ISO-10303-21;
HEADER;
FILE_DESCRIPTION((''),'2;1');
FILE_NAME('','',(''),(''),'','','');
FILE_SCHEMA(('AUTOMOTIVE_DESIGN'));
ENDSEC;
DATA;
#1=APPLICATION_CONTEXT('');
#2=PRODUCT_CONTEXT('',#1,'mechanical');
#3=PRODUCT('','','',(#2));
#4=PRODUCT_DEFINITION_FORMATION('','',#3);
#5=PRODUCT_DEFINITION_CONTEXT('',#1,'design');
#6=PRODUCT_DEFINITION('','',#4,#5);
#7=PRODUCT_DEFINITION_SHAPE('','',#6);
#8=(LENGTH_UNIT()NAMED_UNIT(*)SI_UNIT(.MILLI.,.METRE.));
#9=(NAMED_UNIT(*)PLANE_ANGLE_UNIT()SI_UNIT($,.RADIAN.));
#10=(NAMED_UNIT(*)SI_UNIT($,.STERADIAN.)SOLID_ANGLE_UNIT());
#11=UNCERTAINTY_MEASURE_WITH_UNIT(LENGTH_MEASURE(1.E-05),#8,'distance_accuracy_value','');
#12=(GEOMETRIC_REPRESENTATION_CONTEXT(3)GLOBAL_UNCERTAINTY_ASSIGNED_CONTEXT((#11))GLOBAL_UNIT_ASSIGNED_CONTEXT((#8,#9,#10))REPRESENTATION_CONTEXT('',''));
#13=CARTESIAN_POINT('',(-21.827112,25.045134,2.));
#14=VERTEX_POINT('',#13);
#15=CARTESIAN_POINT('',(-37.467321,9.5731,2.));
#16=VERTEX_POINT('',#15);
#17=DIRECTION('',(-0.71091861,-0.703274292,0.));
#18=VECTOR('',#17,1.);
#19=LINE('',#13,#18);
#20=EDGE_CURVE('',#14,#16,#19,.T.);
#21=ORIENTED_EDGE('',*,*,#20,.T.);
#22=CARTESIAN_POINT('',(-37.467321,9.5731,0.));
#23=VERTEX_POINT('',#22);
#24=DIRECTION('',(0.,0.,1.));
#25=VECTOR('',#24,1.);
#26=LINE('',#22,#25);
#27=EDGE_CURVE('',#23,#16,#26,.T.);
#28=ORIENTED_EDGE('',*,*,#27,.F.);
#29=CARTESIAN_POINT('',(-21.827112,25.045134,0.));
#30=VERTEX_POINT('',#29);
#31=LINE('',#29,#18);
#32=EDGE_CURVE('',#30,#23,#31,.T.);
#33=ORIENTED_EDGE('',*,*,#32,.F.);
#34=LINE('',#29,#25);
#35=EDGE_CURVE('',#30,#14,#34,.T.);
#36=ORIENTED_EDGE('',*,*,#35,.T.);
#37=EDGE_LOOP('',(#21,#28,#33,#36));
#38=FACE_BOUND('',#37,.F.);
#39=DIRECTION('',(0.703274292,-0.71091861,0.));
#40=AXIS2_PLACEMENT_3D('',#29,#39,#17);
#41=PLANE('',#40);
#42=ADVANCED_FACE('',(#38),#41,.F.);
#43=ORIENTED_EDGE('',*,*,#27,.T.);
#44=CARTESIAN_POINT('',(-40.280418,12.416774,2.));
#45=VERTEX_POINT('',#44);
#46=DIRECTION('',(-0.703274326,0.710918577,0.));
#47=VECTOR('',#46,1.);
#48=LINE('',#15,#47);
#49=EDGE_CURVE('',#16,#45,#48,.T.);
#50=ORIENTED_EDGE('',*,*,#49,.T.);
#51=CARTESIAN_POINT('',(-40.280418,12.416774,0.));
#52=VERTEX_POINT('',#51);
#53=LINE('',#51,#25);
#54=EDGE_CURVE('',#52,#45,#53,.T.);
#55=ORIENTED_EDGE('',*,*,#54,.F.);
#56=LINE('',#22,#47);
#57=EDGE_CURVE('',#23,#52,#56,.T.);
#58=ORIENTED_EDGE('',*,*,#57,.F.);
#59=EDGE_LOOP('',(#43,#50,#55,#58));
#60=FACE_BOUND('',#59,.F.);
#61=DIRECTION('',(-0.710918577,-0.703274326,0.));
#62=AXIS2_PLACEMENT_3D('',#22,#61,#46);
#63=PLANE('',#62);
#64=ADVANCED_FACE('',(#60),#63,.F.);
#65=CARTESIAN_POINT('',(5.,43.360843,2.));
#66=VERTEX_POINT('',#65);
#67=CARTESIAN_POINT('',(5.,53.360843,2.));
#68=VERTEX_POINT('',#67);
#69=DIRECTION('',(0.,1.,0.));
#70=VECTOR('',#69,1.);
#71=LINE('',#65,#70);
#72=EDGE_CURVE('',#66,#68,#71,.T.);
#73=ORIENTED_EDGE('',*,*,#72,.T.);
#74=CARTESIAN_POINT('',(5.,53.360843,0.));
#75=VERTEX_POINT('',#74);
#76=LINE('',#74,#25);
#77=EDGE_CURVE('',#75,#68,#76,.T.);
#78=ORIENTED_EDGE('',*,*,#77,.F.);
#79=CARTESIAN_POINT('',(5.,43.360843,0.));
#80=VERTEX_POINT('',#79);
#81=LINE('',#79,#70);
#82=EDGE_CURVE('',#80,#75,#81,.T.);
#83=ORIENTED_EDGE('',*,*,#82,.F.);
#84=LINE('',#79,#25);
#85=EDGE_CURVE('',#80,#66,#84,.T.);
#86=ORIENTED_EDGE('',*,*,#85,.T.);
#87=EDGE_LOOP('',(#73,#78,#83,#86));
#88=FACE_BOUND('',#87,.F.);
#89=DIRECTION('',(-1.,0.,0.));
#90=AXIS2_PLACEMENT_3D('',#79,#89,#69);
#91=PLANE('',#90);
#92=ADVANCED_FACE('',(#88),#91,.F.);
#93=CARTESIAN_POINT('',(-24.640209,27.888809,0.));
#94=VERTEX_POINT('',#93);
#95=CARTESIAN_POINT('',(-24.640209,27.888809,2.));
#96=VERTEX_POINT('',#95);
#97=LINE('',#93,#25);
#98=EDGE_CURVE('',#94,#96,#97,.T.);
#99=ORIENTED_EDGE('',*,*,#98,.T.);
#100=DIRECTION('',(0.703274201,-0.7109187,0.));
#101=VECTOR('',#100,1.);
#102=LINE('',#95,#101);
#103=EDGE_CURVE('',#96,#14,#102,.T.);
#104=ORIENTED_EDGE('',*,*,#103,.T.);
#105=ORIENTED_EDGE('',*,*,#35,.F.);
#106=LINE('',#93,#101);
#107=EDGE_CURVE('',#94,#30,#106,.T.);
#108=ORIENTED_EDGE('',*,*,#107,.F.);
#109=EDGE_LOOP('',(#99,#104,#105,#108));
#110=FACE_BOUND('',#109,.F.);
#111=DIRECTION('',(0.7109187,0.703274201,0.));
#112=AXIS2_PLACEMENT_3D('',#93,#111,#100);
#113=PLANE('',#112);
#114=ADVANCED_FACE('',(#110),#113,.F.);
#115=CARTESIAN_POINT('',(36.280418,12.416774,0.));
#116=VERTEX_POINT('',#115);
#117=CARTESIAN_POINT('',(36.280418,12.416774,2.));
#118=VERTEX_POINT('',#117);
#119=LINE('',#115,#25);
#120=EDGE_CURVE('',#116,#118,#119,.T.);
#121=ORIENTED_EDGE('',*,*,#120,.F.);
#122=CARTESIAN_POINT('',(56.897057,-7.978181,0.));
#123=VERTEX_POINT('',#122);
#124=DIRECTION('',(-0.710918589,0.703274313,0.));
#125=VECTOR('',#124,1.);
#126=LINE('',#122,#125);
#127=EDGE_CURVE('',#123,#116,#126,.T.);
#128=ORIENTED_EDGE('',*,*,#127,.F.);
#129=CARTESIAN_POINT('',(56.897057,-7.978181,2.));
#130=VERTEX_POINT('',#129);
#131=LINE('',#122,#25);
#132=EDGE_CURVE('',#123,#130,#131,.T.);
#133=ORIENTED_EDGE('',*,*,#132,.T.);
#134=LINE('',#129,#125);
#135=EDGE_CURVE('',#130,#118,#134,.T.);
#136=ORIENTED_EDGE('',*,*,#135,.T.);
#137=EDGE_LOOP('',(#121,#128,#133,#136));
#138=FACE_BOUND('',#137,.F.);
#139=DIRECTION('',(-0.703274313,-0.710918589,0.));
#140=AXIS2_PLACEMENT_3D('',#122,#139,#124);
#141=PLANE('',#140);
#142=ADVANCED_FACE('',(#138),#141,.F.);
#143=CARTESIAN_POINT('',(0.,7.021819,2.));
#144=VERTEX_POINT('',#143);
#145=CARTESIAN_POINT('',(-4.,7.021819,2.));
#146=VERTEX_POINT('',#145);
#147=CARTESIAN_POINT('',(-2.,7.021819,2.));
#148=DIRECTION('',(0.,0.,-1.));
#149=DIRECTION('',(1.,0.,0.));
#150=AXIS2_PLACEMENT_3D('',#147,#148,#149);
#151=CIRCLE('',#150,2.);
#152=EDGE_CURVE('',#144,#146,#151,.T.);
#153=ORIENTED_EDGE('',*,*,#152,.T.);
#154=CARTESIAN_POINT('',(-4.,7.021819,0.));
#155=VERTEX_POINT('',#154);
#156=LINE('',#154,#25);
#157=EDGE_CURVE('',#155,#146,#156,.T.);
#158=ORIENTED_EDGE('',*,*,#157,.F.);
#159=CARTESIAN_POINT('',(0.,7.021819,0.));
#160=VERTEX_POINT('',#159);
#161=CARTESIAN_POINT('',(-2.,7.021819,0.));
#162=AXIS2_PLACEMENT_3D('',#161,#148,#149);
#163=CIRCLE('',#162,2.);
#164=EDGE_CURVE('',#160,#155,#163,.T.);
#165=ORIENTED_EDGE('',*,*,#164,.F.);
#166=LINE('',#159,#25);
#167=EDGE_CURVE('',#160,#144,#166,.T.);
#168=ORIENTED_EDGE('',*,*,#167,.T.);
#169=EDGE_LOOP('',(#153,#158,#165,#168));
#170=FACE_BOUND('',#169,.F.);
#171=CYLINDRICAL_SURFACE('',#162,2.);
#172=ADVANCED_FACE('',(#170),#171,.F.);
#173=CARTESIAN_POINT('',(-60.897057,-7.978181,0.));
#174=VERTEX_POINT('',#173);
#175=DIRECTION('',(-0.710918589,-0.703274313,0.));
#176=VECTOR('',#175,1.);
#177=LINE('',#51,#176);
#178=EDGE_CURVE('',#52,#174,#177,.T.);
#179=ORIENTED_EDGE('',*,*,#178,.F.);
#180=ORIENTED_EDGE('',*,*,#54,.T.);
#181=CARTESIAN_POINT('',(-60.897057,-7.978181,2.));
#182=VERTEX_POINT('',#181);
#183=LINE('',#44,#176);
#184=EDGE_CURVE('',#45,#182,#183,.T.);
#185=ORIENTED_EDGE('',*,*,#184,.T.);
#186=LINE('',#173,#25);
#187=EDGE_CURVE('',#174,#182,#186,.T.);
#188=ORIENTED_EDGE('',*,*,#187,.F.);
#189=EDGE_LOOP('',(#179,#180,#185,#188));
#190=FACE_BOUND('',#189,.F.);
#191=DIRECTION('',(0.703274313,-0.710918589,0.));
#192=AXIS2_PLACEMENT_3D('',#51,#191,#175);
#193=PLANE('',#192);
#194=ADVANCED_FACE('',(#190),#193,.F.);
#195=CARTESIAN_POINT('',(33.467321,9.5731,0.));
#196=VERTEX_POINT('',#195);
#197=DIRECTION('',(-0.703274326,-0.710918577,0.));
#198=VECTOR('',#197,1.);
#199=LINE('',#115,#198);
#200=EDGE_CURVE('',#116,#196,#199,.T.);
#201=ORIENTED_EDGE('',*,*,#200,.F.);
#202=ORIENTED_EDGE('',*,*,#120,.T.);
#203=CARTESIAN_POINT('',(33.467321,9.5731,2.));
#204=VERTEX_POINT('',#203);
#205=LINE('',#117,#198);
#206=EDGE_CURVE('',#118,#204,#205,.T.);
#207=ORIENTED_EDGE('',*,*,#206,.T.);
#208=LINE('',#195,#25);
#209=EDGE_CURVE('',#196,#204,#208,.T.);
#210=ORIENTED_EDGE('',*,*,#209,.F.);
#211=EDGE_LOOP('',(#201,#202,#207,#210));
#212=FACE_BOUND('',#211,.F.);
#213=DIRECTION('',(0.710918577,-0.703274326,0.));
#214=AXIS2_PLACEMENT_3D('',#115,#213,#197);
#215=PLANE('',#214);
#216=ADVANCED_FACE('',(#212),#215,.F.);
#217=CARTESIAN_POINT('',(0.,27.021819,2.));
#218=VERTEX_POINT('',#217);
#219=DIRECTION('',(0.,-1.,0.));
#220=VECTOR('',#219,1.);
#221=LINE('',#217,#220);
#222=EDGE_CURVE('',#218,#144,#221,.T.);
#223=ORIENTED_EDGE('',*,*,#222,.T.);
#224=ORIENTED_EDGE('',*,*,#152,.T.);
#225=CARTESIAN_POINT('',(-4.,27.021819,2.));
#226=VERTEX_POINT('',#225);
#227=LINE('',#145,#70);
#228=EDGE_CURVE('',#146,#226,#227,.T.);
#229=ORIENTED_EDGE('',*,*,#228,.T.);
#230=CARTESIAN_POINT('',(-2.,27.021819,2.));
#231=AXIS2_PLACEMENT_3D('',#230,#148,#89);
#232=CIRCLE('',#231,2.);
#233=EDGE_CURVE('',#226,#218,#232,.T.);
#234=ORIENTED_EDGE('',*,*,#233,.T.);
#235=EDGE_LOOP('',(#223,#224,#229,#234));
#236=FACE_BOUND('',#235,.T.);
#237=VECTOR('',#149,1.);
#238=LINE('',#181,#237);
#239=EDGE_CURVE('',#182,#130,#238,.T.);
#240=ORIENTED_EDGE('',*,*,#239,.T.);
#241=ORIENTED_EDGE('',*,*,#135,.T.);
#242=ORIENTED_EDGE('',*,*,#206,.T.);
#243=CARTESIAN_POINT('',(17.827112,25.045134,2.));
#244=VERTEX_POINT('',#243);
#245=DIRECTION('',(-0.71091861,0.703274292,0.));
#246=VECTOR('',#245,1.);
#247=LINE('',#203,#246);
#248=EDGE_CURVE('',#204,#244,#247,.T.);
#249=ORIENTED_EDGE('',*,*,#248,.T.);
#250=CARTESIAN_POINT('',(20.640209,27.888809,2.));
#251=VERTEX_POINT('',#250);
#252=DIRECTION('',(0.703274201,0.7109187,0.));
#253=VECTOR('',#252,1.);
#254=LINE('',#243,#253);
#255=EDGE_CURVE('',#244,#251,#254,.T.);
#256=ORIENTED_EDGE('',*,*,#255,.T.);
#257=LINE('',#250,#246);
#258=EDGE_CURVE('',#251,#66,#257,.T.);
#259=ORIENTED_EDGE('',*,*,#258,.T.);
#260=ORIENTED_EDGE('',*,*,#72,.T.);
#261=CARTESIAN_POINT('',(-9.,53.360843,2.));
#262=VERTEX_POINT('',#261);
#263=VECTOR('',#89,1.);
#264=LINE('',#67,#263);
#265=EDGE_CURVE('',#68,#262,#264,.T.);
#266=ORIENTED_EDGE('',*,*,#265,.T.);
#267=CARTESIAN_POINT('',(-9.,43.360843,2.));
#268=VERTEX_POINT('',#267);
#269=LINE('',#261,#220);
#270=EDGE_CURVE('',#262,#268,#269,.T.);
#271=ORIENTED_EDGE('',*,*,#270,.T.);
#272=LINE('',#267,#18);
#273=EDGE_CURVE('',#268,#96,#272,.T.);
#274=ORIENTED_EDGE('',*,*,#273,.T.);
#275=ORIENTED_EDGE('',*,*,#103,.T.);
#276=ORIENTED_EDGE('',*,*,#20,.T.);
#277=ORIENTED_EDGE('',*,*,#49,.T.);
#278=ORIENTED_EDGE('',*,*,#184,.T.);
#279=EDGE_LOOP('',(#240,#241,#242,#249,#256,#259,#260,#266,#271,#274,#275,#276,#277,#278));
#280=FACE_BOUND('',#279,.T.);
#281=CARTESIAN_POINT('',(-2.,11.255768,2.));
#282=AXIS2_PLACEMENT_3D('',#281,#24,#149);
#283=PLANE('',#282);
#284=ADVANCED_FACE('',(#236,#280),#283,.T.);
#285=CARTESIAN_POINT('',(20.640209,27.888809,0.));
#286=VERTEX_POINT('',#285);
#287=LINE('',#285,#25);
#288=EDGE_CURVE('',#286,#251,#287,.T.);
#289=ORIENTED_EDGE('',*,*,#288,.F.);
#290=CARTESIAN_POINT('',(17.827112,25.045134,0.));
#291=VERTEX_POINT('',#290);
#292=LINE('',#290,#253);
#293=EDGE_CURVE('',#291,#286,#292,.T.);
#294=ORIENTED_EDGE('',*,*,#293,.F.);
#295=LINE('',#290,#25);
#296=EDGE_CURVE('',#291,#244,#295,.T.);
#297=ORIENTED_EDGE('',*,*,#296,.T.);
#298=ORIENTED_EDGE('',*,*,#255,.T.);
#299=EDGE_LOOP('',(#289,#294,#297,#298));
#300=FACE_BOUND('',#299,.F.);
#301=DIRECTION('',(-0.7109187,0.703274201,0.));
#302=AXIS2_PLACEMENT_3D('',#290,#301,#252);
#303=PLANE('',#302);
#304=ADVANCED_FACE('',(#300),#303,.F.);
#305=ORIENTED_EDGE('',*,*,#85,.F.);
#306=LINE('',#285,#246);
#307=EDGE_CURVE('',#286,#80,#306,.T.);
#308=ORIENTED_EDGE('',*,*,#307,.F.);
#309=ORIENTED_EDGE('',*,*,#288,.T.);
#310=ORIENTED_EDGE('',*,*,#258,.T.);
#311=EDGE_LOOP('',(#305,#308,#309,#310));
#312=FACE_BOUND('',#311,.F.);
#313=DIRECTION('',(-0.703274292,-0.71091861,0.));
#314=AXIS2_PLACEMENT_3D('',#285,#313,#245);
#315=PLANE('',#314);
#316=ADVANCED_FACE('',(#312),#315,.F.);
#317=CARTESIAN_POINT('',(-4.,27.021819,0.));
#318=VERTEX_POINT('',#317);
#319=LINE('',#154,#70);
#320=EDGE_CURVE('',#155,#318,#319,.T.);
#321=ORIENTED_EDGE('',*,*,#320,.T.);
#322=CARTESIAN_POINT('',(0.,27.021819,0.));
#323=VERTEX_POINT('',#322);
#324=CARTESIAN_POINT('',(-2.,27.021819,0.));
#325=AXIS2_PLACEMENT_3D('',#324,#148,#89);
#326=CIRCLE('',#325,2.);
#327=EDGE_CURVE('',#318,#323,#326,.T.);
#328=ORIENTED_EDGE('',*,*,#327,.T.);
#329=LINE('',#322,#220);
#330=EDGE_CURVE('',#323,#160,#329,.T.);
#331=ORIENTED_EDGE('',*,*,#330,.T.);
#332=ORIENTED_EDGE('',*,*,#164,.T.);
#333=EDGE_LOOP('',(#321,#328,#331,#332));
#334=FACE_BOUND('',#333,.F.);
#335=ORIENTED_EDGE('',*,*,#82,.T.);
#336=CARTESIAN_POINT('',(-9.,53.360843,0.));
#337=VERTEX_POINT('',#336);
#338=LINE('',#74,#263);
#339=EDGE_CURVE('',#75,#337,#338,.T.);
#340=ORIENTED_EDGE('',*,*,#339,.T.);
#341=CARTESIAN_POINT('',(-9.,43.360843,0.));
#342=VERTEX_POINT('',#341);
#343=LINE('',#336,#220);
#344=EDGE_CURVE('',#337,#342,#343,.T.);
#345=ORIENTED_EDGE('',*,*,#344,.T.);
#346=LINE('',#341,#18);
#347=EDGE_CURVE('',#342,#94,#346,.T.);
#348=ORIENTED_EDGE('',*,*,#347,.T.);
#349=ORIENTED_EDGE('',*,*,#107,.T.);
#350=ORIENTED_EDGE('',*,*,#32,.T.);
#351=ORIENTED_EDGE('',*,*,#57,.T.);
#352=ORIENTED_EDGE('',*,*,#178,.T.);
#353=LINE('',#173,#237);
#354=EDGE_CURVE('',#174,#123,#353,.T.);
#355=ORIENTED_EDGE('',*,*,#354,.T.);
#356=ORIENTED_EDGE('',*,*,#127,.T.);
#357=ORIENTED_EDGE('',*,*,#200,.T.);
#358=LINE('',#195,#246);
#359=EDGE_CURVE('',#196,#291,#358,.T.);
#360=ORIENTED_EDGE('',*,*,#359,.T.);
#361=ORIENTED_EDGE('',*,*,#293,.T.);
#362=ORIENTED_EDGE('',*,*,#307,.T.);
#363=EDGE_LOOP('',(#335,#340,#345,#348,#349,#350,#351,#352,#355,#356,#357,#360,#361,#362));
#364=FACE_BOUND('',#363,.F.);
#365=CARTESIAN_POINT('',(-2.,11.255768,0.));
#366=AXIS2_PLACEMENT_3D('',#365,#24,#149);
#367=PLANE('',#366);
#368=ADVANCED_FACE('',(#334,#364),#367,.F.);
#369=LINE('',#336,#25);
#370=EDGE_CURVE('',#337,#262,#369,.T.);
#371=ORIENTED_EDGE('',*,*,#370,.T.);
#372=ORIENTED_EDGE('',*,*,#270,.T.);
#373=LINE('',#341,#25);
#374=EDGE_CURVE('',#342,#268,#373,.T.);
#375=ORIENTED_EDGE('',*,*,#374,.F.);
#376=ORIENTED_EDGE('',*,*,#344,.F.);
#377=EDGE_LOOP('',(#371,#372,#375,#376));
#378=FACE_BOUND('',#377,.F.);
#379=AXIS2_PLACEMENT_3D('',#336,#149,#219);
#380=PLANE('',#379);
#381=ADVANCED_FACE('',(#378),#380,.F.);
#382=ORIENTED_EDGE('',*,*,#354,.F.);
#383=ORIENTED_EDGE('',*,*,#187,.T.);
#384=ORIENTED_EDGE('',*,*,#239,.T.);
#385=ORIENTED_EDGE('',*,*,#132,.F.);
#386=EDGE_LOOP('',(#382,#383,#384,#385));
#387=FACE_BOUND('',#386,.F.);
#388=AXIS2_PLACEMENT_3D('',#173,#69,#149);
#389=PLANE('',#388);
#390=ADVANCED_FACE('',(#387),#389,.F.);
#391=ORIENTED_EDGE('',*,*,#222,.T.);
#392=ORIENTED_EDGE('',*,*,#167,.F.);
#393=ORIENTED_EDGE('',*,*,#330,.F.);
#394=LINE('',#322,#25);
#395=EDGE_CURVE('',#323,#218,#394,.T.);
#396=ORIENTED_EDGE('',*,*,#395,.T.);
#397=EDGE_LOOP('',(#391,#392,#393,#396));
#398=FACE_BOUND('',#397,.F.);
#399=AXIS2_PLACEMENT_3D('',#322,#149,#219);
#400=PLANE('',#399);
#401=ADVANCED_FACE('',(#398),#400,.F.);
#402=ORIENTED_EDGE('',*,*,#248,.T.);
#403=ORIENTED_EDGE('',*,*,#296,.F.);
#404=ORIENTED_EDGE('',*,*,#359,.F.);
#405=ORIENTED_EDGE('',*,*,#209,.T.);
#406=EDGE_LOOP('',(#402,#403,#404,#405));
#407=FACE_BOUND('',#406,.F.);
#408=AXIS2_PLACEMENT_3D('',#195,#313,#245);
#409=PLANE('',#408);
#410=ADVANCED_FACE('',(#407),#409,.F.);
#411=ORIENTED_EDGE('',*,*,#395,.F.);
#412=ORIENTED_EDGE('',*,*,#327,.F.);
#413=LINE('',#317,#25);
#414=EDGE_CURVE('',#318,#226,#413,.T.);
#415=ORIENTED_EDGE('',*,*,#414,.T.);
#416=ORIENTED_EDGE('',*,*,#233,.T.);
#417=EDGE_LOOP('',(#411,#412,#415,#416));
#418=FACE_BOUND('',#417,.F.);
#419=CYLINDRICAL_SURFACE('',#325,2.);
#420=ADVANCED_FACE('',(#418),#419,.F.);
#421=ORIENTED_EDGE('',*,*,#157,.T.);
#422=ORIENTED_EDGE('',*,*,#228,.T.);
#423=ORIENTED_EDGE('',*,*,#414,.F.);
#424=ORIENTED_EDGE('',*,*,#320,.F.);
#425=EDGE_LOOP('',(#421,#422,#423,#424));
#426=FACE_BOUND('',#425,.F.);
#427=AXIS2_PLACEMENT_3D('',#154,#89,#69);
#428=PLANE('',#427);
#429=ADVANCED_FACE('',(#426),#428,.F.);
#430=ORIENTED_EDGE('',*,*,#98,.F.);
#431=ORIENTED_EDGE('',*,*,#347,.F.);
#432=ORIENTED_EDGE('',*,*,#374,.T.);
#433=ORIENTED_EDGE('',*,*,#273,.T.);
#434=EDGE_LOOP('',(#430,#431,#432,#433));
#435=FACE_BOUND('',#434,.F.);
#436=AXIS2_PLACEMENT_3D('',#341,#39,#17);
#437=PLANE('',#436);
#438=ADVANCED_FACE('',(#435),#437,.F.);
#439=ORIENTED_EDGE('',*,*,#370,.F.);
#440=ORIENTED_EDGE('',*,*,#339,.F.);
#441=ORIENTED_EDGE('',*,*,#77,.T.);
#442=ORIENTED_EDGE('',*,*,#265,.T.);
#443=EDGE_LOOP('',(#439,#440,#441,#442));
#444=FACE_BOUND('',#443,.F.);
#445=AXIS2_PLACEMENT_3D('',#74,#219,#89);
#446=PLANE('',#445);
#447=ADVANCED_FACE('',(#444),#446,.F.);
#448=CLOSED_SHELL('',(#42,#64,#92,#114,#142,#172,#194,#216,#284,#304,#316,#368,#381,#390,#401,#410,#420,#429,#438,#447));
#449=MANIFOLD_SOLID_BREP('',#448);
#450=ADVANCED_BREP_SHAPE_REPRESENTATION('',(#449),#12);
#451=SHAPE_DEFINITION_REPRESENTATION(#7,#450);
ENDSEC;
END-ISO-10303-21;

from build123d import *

# Parameters (mm, degrees)
F1_DEPTH = 2


with BuildPart() as f1:
    # F0 (on Top) → F1 (new body)
    with BuildSketch(Plane.XY):
        Polygon((-24.640209, 27.888809), (-21.827112, 25.045134), (-37.467321, 9.5731), (-40.280418, 12.416774), (-60.897057, -7.978181), (56.897057, -7.978181), (36.280418, 12.416774), (33.467321, 9.5731), (17.827112, 25.045134), (20.640209, 27.888809), (5, 43.360843), (5, 53.360843), (-9, 53.360843), (-9, 43.360843), align=None)
        with BuildLine():
            Line((0, 27.021819), (0, 7.021819))
            ThreePointArc((0, 7.021819), (-2, 5.021819), (-4, 7.021819))
            Line((-4, 7.021819), (-4, 27.021819))
            ThreePointArc((-4, 27.021819), (-2, 29.021819), (0, 27.021819))
        make_face(mode=Mode.SUBTRACT)
    extrude(amount=F1_DEPTH)


solid = f1.part
